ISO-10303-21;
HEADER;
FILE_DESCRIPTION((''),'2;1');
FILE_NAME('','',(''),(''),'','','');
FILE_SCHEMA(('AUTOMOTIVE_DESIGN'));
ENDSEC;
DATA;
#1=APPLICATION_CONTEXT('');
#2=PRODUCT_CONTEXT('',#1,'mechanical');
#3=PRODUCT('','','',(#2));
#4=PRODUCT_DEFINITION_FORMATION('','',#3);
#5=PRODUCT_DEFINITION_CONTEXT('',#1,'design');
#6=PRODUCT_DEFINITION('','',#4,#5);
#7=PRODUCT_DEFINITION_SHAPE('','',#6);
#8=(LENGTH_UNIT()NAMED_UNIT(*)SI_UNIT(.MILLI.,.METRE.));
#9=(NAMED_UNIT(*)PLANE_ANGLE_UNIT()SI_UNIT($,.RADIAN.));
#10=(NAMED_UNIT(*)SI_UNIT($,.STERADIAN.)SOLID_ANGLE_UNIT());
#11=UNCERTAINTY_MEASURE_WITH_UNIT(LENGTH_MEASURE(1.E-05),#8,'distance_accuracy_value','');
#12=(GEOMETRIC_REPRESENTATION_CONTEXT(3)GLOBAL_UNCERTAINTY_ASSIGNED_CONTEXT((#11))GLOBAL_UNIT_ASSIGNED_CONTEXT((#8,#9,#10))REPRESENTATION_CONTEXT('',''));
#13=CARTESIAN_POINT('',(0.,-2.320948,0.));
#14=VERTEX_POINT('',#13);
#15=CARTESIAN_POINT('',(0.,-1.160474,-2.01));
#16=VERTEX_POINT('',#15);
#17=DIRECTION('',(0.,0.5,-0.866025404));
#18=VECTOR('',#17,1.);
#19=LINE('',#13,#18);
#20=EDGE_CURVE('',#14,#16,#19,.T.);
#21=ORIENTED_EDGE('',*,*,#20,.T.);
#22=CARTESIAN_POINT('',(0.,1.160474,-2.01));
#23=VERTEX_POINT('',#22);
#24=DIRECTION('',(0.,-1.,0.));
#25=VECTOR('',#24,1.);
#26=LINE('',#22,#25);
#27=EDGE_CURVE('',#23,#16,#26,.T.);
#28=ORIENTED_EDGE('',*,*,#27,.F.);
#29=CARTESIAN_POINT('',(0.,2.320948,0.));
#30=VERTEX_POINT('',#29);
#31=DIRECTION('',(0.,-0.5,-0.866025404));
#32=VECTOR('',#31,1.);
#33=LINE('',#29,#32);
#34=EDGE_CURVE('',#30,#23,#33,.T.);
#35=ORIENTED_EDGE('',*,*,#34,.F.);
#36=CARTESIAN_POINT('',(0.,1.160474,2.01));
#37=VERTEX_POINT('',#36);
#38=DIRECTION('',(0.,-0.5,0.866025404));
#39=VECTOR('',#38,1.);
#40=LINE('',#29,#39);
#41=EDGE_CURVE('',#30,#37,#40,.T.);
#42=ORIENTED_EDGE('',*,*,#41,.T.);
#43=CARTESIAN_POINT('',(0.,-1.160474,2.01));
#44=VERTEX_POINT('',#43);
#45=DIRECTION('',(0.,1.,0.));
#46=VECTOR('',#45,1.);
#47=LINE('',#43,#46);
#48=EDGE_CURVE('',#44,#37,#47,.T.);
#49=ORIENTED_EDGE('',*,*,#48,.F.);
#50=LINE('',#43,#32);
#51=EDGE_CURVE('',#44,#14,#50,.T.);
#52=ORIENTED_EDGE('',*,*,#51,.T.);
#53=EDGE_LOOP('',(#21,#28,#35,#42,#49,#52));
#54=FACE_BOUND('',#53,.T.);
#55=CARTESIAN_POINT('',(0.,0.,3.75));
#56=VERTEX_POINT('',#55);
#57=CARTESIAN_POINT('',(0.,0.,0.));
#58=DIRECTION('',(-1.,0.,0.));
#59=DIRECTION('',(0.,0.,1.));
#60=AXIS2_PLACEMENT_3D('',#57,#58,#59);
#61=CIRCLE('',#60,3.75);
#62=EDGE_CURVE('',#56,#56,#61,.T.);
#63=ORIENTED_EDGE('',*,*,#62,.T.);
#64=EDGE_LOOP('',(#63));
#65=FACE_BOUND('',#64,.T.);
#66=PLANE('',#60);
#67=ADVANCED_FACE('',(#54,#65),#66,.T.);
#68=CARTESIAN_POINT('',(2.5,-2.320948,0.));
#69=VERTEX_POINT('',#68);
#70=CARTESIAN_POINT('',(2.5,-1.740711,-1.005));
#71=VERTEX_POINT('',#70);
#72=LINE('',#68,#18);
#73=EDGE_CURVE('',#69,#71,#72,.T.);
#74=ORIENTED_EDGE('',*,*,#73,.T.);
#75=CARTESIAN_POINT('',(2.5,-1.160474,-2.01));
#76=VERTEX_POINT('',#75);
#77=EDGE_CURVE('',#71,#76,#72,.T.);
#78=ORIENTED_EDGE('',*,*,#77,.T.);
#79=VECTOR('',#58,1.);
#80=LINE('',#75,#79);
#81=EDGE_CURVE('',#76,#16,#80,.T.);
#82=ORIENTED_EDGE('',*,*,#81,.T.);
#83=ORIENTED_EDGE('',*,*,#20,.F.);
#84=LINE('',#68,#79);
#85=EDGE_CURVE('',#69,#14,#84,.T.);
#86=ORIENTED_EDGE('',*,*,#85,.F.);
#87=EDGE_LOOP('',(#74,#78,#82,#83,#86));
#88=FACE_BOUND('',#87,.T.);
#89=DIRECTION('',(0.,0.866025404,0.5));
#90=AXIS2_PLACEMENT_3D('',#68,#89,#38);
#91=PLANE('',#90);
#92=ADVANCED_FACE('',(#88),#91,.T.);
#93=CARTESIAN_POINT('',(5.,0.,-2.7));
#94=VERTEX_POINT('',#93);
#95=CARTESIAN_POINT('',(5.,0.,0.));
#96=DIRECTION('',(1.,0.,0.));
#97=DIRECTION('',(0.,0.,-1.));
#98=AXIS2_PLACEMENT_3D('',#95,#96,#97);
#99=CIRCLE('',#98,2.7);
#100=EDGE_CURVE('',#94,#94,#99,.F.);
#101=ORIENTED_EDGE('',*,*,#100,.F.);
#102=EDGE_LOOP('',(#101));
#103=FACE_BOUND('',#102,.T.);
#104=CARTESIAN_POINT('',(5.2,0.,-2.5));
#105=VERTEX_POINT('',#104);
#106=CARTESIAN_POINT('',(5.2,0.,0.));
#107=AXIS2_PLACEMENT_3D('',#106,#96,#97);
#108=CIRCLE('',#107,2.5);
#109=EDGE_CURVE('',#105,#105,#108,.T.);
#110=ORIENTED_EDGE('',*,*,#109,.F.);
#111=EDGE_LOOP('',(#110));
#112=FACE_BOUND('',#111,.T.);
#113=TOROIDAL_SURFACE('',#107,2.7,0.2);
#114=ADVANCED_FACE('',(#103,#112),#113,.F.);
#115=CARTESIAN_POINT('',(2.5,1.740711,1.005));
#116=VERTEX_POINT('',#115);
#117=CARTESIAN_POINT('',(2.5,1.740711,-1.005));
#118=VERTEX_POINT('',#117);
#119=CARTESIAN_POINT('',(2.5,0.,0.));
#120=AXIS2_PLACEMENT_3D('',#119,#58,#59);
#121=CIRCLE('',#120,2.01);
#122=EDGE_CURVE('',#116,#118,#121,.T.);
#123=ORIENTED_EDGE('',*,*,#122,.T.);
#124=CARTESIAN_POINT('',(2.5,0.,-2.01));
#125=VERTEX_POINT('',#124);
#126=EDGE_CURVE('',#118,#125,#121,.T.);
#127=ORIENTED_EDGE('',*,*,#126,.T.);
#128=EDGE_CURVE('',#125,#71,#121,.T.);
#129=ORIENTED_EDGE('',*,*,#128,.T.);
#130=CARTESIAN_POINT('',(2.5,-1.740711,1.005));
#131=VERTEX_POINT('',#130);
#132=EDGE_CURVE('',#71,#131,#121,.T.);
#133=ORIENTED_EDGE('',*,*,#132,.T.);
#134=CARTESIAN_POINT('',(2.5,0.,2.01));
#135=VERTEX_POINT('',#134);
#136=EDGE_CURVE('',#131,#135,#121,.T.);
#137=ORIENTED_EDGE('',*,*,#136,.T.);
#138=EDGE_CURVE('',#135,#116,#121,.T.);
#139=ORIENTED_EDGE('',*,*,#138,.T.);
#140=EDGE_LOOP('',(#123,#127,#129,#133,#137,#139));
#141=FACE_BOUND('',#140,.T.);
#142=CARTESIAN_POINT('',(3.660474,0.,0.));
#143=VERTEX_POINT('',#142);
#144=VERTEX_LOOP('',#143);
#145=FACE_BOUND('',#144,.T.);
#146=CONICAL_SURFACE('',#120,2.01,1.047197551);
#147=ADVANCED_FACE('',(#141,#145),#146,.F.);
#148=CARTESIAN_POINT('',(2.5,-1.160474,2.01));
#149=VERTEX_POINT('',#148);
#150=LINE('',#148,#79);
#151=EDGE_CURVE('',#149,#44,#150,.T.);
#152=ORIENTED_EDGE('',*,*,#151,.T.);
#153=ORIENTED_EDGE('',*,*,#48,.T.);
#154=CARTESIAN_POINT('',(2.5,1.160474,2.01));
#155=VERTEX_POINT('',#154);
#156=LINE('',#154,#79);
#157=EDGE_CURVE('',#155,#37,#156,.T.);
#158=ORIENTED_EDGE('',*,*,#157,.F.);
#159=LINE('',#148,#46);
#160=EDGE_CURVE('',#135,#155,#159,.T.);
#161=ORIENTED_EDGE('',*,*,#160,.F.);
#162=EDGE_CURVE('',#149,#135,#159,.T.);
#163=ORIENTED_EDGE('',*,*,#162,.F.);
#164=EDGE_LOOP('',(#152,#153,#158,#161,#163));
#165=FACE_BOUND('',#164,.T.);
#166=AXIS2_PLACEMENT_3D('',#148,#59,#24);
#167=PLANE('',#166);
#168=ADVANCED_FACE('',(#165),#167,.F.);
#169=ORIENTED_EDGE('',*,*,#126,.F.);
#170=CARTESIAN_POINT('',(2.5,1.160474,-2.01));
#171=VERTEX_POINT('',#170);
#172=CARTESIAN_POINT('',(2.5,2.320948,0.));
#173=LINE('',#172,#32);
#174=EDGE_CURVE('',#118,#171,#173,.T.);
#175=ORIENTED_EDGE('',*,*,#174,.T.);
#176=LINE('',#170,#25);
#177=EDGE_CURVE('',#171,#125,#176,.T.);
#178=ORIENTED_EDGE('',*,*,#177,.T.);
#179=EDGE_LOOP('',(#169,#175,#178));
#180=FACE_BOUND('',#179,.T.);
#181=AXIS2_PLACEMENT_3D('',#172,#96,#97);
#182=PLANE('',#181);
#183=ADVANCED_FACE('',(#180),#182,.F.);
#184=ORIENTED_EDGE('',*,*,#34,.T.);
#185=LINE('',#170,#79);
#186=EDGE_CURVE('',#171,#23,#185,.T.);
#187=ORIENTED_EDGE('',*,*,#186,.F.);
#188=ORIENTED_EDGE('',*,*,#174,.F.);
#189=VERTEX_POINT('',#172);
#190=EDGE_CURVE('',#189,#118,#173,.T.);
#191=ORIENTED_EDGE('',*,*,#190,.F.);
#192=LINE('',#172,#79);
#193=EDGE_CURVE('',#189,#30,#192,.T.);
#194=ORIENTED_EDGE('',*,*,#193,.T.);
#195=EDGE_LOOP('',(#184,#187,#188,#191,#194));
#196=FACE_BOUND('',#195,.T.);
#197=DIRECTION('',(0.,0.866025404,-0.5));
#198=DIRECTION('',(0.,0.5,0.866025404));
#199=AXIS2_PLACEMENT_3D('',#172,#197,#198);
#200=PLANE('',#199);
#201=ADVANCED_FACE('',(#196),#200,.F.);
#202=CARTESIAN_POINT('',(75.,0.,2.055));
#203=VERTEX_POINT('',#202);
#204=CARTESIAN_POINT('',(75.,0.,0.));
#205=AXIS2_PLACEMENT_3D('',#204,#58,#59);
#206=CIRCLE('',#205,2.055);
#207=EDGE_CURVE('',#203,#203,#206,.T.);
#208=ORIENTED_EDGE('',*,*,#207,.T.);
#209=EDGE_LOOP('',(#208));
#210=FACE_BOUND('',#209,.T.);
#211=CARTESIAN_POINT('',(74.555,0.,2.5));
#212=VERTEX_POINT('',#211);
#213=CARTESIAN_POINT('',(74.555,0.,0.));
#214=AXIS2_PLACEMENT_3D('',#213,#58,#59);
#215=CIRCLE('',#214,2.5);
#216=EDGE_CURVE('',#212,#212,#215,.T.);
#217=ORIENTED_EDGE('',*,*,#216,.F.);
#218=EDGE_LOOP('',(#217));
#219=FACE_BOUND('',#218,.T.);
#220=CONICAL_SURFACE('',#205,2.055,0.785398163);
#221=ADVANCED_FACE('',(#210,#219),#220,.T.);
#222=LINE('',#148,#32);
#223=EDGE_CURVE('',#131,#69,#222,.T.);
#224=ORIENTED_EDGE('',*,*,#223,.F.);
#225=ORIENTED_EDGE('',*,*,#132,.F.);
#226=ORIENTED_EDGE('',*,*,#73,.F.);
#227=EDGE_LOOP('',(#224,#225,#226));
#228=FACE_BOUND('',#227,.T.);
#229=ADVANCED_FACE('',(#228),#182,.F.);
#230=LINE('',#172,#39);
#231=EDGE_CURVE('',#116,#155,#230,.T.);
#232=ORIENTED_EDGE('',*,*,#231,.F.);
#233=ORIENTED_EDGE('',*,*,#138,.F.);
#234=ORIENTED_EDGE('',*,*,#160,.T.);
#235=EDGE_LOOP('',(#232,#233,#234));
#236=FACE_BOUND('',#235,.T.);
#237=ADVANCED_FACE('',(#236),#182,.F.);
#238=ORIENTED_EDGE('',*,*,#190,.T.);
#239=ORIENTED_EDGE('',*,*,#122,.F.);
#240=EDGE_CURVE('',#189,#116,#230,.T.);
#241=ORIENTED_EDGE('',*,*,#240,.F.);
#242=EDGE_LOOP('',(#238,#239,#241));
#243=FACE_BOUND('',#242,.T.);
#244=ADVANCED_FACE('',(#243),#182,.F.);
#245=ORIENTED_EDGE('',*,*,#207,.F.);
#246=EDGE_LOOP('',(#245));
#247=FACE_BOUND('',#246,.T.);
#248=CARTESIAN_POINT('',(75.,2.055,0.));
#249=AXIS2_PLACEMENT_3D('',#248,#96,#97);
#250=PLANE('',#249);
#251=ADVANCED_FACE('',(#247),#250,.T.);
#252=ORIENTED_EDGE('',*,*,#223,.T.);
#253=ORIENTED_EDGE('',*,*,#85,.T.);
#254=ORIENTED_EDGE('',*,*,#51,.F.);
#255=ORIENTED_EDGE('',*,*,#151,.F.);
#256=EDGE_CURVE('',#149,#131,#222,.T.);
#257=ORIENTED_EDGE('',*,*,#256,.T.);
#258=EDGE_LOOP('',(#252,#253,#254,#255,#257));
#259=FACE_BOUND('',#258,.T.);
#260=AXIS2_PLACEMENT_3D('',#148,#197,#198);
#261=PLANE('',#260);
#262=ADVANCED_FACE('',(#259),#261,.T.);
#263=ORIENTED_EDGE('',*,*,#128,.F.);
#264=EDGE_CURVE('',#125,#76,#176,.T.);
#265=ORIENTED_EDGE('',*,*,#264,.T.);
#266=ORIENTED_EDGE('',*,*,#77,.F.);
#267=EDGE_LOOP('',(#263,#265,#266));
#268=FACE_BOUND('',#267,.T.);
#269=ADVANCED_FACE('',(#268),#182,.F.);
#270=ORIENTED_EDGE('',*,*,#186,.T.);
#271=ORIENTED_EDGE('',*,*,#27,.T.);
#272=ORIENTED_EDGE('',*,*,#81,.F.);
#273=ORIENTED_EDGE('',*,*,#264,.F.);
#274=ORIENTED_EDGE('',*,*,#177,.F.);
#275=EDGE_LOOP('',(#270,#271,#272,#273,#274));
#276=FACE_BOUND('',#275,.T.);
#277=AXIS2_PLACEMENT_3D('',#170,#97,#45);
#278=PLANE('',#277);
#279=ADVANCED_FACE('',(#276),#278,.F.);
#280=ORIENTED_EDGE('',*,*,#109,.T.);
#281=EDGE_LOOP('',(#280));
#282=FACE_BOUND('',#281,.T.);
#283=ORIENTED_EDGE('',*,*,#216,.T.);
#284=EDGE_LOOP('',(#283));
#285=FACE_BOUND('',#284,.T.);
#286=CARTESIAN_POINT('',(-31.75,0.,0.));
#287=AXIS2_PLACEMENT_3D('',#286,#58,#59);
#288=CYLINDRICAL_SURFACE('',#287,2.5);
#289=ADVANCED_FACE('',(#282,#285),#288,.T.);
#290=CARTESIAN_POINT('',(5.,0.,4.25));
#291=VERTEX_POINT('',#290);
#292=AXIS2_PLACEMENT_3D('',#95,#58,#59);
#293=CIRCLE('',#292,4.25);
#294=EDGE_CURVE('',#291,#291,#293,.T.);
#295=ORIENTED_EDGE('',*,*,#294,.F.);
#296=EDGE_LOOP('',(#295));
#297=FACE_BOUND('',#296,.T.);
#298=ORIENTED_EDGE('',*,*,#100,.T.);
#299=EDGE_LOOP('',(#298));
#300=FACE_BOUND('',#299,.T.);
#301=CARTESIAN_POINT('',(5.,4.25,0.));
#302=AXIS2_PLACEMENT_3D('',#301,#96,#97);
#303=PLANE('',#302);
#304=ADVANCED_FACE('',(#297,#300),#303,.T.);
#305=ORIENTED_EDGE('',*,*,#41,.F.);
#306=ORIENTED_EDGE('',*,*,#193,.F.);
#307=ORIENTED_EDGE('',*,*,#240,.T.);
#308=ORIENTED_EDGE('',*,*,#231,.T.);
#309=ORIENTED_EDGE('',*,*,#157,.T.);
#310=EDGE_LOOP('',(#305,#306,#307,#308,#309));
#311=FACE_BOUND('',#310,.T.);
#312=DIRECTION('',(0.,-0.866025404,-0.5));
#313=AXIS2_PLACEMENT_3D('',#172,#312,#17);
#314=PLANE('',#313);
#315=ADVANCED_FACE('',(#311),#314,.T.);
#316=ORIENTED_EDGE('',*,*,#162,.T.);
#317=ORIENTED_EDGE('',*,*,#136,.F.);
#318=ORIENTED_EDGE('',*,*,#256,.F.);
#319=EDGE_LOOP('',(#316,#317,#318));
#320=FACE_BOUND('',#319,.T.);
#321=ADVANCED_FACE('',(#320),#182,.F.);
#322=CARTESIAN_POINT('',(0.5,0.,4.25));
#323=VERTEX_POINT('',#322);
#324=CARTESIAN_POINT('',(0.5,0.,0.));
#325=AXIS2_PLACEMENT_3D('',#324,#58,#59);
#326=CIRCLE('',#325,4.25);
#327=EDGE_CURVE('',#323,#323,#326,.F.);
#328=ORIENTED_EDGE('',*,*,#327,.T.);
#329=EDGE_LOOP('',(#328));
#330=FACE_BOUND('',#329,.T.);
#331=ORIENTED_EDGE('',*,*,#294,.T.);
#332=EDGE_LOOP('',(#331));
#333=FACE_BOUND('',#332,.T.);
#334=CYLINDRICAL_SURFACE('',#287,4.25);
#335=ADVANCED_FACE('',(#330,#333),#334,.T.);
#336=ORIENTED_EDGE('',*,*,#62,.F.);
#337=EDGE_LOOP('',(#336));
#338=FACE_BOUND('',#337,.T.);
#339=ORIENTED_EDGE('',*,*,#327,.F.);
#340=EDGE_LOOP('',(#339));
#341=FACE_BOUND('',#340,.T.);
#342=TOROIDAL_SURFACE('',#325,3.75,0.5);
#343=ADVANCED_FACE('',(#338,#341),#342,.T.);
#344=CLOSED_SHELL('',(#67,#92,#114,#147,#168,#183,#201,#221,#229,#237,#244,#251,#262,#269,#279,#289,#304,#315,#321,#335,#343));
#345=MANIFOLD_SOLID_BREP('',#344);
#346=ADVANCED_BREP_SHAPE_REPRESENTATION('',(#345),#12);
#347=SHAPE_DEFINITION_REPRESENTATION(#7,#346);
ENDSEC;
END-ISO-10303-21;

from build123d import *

# Parameters (mm, degrees)
FILLET1_R   = 0.2
FILLET2_R   = 0.5
HEX_2_DEPTH = 2.5


with BuildPart() as part:
    # BodySke → Base-Revolve (revolve)
    with BuildSketch(Plane.XY):
        Polygon((0, 0), (0, 4.25), (5, 4.25), (5, 2.5), (74.555, 2.5), (75, 2.055), (75, 0), align=None)
    revolve(axis=Axis((-31.75, 0, 0), (1, 0, 0)))

    # Fillet1
    fillet1_edges = [part.edges().sort_by_distance(p)[0] for p in [
        (5, -2.5, 0),
    ]]
    fillet(fillet1_edges, radius=FILLET1_R)

    # Fillet2
    fillet2_edges = [part.edges().sort_by_distance(p)[0] for p in [
        (0, -4.25, 0),
    ]]
    fillet(fillet2_edges, radius=FILLET2_R)

    # Sketch2 → Hex-PreBroach (revolve, cut)
    with BuildSketch(Plane.XY):
        Polygon((0, 2.01), (2.5, 2.01), (3.660474041, 0), (0, 0), align=None)
    revolve(axis=Axis((0, 0, 0), (1, 0, 0)), mode=Mode.SUBTRACT)

    # Sketch3 → Hex 2 (cut)
    with BuildSketch(Plane(origin=(0, 0, 0), x_dir=(0, 0.5, 0.866025404), z_dir=(-1, 0, 0))):
        Polygon((1.160474041, 2.01), (-1.160474041, 2.01), (-2.320948082, 0), (-1.160474041, -2.01), (1.160474041, -2.01), (2.320948082, 0), align=None)
    extrude(amount=-HEX_2_DEPTH, mode=Mode.SUBTRACT)


solid = part.part
